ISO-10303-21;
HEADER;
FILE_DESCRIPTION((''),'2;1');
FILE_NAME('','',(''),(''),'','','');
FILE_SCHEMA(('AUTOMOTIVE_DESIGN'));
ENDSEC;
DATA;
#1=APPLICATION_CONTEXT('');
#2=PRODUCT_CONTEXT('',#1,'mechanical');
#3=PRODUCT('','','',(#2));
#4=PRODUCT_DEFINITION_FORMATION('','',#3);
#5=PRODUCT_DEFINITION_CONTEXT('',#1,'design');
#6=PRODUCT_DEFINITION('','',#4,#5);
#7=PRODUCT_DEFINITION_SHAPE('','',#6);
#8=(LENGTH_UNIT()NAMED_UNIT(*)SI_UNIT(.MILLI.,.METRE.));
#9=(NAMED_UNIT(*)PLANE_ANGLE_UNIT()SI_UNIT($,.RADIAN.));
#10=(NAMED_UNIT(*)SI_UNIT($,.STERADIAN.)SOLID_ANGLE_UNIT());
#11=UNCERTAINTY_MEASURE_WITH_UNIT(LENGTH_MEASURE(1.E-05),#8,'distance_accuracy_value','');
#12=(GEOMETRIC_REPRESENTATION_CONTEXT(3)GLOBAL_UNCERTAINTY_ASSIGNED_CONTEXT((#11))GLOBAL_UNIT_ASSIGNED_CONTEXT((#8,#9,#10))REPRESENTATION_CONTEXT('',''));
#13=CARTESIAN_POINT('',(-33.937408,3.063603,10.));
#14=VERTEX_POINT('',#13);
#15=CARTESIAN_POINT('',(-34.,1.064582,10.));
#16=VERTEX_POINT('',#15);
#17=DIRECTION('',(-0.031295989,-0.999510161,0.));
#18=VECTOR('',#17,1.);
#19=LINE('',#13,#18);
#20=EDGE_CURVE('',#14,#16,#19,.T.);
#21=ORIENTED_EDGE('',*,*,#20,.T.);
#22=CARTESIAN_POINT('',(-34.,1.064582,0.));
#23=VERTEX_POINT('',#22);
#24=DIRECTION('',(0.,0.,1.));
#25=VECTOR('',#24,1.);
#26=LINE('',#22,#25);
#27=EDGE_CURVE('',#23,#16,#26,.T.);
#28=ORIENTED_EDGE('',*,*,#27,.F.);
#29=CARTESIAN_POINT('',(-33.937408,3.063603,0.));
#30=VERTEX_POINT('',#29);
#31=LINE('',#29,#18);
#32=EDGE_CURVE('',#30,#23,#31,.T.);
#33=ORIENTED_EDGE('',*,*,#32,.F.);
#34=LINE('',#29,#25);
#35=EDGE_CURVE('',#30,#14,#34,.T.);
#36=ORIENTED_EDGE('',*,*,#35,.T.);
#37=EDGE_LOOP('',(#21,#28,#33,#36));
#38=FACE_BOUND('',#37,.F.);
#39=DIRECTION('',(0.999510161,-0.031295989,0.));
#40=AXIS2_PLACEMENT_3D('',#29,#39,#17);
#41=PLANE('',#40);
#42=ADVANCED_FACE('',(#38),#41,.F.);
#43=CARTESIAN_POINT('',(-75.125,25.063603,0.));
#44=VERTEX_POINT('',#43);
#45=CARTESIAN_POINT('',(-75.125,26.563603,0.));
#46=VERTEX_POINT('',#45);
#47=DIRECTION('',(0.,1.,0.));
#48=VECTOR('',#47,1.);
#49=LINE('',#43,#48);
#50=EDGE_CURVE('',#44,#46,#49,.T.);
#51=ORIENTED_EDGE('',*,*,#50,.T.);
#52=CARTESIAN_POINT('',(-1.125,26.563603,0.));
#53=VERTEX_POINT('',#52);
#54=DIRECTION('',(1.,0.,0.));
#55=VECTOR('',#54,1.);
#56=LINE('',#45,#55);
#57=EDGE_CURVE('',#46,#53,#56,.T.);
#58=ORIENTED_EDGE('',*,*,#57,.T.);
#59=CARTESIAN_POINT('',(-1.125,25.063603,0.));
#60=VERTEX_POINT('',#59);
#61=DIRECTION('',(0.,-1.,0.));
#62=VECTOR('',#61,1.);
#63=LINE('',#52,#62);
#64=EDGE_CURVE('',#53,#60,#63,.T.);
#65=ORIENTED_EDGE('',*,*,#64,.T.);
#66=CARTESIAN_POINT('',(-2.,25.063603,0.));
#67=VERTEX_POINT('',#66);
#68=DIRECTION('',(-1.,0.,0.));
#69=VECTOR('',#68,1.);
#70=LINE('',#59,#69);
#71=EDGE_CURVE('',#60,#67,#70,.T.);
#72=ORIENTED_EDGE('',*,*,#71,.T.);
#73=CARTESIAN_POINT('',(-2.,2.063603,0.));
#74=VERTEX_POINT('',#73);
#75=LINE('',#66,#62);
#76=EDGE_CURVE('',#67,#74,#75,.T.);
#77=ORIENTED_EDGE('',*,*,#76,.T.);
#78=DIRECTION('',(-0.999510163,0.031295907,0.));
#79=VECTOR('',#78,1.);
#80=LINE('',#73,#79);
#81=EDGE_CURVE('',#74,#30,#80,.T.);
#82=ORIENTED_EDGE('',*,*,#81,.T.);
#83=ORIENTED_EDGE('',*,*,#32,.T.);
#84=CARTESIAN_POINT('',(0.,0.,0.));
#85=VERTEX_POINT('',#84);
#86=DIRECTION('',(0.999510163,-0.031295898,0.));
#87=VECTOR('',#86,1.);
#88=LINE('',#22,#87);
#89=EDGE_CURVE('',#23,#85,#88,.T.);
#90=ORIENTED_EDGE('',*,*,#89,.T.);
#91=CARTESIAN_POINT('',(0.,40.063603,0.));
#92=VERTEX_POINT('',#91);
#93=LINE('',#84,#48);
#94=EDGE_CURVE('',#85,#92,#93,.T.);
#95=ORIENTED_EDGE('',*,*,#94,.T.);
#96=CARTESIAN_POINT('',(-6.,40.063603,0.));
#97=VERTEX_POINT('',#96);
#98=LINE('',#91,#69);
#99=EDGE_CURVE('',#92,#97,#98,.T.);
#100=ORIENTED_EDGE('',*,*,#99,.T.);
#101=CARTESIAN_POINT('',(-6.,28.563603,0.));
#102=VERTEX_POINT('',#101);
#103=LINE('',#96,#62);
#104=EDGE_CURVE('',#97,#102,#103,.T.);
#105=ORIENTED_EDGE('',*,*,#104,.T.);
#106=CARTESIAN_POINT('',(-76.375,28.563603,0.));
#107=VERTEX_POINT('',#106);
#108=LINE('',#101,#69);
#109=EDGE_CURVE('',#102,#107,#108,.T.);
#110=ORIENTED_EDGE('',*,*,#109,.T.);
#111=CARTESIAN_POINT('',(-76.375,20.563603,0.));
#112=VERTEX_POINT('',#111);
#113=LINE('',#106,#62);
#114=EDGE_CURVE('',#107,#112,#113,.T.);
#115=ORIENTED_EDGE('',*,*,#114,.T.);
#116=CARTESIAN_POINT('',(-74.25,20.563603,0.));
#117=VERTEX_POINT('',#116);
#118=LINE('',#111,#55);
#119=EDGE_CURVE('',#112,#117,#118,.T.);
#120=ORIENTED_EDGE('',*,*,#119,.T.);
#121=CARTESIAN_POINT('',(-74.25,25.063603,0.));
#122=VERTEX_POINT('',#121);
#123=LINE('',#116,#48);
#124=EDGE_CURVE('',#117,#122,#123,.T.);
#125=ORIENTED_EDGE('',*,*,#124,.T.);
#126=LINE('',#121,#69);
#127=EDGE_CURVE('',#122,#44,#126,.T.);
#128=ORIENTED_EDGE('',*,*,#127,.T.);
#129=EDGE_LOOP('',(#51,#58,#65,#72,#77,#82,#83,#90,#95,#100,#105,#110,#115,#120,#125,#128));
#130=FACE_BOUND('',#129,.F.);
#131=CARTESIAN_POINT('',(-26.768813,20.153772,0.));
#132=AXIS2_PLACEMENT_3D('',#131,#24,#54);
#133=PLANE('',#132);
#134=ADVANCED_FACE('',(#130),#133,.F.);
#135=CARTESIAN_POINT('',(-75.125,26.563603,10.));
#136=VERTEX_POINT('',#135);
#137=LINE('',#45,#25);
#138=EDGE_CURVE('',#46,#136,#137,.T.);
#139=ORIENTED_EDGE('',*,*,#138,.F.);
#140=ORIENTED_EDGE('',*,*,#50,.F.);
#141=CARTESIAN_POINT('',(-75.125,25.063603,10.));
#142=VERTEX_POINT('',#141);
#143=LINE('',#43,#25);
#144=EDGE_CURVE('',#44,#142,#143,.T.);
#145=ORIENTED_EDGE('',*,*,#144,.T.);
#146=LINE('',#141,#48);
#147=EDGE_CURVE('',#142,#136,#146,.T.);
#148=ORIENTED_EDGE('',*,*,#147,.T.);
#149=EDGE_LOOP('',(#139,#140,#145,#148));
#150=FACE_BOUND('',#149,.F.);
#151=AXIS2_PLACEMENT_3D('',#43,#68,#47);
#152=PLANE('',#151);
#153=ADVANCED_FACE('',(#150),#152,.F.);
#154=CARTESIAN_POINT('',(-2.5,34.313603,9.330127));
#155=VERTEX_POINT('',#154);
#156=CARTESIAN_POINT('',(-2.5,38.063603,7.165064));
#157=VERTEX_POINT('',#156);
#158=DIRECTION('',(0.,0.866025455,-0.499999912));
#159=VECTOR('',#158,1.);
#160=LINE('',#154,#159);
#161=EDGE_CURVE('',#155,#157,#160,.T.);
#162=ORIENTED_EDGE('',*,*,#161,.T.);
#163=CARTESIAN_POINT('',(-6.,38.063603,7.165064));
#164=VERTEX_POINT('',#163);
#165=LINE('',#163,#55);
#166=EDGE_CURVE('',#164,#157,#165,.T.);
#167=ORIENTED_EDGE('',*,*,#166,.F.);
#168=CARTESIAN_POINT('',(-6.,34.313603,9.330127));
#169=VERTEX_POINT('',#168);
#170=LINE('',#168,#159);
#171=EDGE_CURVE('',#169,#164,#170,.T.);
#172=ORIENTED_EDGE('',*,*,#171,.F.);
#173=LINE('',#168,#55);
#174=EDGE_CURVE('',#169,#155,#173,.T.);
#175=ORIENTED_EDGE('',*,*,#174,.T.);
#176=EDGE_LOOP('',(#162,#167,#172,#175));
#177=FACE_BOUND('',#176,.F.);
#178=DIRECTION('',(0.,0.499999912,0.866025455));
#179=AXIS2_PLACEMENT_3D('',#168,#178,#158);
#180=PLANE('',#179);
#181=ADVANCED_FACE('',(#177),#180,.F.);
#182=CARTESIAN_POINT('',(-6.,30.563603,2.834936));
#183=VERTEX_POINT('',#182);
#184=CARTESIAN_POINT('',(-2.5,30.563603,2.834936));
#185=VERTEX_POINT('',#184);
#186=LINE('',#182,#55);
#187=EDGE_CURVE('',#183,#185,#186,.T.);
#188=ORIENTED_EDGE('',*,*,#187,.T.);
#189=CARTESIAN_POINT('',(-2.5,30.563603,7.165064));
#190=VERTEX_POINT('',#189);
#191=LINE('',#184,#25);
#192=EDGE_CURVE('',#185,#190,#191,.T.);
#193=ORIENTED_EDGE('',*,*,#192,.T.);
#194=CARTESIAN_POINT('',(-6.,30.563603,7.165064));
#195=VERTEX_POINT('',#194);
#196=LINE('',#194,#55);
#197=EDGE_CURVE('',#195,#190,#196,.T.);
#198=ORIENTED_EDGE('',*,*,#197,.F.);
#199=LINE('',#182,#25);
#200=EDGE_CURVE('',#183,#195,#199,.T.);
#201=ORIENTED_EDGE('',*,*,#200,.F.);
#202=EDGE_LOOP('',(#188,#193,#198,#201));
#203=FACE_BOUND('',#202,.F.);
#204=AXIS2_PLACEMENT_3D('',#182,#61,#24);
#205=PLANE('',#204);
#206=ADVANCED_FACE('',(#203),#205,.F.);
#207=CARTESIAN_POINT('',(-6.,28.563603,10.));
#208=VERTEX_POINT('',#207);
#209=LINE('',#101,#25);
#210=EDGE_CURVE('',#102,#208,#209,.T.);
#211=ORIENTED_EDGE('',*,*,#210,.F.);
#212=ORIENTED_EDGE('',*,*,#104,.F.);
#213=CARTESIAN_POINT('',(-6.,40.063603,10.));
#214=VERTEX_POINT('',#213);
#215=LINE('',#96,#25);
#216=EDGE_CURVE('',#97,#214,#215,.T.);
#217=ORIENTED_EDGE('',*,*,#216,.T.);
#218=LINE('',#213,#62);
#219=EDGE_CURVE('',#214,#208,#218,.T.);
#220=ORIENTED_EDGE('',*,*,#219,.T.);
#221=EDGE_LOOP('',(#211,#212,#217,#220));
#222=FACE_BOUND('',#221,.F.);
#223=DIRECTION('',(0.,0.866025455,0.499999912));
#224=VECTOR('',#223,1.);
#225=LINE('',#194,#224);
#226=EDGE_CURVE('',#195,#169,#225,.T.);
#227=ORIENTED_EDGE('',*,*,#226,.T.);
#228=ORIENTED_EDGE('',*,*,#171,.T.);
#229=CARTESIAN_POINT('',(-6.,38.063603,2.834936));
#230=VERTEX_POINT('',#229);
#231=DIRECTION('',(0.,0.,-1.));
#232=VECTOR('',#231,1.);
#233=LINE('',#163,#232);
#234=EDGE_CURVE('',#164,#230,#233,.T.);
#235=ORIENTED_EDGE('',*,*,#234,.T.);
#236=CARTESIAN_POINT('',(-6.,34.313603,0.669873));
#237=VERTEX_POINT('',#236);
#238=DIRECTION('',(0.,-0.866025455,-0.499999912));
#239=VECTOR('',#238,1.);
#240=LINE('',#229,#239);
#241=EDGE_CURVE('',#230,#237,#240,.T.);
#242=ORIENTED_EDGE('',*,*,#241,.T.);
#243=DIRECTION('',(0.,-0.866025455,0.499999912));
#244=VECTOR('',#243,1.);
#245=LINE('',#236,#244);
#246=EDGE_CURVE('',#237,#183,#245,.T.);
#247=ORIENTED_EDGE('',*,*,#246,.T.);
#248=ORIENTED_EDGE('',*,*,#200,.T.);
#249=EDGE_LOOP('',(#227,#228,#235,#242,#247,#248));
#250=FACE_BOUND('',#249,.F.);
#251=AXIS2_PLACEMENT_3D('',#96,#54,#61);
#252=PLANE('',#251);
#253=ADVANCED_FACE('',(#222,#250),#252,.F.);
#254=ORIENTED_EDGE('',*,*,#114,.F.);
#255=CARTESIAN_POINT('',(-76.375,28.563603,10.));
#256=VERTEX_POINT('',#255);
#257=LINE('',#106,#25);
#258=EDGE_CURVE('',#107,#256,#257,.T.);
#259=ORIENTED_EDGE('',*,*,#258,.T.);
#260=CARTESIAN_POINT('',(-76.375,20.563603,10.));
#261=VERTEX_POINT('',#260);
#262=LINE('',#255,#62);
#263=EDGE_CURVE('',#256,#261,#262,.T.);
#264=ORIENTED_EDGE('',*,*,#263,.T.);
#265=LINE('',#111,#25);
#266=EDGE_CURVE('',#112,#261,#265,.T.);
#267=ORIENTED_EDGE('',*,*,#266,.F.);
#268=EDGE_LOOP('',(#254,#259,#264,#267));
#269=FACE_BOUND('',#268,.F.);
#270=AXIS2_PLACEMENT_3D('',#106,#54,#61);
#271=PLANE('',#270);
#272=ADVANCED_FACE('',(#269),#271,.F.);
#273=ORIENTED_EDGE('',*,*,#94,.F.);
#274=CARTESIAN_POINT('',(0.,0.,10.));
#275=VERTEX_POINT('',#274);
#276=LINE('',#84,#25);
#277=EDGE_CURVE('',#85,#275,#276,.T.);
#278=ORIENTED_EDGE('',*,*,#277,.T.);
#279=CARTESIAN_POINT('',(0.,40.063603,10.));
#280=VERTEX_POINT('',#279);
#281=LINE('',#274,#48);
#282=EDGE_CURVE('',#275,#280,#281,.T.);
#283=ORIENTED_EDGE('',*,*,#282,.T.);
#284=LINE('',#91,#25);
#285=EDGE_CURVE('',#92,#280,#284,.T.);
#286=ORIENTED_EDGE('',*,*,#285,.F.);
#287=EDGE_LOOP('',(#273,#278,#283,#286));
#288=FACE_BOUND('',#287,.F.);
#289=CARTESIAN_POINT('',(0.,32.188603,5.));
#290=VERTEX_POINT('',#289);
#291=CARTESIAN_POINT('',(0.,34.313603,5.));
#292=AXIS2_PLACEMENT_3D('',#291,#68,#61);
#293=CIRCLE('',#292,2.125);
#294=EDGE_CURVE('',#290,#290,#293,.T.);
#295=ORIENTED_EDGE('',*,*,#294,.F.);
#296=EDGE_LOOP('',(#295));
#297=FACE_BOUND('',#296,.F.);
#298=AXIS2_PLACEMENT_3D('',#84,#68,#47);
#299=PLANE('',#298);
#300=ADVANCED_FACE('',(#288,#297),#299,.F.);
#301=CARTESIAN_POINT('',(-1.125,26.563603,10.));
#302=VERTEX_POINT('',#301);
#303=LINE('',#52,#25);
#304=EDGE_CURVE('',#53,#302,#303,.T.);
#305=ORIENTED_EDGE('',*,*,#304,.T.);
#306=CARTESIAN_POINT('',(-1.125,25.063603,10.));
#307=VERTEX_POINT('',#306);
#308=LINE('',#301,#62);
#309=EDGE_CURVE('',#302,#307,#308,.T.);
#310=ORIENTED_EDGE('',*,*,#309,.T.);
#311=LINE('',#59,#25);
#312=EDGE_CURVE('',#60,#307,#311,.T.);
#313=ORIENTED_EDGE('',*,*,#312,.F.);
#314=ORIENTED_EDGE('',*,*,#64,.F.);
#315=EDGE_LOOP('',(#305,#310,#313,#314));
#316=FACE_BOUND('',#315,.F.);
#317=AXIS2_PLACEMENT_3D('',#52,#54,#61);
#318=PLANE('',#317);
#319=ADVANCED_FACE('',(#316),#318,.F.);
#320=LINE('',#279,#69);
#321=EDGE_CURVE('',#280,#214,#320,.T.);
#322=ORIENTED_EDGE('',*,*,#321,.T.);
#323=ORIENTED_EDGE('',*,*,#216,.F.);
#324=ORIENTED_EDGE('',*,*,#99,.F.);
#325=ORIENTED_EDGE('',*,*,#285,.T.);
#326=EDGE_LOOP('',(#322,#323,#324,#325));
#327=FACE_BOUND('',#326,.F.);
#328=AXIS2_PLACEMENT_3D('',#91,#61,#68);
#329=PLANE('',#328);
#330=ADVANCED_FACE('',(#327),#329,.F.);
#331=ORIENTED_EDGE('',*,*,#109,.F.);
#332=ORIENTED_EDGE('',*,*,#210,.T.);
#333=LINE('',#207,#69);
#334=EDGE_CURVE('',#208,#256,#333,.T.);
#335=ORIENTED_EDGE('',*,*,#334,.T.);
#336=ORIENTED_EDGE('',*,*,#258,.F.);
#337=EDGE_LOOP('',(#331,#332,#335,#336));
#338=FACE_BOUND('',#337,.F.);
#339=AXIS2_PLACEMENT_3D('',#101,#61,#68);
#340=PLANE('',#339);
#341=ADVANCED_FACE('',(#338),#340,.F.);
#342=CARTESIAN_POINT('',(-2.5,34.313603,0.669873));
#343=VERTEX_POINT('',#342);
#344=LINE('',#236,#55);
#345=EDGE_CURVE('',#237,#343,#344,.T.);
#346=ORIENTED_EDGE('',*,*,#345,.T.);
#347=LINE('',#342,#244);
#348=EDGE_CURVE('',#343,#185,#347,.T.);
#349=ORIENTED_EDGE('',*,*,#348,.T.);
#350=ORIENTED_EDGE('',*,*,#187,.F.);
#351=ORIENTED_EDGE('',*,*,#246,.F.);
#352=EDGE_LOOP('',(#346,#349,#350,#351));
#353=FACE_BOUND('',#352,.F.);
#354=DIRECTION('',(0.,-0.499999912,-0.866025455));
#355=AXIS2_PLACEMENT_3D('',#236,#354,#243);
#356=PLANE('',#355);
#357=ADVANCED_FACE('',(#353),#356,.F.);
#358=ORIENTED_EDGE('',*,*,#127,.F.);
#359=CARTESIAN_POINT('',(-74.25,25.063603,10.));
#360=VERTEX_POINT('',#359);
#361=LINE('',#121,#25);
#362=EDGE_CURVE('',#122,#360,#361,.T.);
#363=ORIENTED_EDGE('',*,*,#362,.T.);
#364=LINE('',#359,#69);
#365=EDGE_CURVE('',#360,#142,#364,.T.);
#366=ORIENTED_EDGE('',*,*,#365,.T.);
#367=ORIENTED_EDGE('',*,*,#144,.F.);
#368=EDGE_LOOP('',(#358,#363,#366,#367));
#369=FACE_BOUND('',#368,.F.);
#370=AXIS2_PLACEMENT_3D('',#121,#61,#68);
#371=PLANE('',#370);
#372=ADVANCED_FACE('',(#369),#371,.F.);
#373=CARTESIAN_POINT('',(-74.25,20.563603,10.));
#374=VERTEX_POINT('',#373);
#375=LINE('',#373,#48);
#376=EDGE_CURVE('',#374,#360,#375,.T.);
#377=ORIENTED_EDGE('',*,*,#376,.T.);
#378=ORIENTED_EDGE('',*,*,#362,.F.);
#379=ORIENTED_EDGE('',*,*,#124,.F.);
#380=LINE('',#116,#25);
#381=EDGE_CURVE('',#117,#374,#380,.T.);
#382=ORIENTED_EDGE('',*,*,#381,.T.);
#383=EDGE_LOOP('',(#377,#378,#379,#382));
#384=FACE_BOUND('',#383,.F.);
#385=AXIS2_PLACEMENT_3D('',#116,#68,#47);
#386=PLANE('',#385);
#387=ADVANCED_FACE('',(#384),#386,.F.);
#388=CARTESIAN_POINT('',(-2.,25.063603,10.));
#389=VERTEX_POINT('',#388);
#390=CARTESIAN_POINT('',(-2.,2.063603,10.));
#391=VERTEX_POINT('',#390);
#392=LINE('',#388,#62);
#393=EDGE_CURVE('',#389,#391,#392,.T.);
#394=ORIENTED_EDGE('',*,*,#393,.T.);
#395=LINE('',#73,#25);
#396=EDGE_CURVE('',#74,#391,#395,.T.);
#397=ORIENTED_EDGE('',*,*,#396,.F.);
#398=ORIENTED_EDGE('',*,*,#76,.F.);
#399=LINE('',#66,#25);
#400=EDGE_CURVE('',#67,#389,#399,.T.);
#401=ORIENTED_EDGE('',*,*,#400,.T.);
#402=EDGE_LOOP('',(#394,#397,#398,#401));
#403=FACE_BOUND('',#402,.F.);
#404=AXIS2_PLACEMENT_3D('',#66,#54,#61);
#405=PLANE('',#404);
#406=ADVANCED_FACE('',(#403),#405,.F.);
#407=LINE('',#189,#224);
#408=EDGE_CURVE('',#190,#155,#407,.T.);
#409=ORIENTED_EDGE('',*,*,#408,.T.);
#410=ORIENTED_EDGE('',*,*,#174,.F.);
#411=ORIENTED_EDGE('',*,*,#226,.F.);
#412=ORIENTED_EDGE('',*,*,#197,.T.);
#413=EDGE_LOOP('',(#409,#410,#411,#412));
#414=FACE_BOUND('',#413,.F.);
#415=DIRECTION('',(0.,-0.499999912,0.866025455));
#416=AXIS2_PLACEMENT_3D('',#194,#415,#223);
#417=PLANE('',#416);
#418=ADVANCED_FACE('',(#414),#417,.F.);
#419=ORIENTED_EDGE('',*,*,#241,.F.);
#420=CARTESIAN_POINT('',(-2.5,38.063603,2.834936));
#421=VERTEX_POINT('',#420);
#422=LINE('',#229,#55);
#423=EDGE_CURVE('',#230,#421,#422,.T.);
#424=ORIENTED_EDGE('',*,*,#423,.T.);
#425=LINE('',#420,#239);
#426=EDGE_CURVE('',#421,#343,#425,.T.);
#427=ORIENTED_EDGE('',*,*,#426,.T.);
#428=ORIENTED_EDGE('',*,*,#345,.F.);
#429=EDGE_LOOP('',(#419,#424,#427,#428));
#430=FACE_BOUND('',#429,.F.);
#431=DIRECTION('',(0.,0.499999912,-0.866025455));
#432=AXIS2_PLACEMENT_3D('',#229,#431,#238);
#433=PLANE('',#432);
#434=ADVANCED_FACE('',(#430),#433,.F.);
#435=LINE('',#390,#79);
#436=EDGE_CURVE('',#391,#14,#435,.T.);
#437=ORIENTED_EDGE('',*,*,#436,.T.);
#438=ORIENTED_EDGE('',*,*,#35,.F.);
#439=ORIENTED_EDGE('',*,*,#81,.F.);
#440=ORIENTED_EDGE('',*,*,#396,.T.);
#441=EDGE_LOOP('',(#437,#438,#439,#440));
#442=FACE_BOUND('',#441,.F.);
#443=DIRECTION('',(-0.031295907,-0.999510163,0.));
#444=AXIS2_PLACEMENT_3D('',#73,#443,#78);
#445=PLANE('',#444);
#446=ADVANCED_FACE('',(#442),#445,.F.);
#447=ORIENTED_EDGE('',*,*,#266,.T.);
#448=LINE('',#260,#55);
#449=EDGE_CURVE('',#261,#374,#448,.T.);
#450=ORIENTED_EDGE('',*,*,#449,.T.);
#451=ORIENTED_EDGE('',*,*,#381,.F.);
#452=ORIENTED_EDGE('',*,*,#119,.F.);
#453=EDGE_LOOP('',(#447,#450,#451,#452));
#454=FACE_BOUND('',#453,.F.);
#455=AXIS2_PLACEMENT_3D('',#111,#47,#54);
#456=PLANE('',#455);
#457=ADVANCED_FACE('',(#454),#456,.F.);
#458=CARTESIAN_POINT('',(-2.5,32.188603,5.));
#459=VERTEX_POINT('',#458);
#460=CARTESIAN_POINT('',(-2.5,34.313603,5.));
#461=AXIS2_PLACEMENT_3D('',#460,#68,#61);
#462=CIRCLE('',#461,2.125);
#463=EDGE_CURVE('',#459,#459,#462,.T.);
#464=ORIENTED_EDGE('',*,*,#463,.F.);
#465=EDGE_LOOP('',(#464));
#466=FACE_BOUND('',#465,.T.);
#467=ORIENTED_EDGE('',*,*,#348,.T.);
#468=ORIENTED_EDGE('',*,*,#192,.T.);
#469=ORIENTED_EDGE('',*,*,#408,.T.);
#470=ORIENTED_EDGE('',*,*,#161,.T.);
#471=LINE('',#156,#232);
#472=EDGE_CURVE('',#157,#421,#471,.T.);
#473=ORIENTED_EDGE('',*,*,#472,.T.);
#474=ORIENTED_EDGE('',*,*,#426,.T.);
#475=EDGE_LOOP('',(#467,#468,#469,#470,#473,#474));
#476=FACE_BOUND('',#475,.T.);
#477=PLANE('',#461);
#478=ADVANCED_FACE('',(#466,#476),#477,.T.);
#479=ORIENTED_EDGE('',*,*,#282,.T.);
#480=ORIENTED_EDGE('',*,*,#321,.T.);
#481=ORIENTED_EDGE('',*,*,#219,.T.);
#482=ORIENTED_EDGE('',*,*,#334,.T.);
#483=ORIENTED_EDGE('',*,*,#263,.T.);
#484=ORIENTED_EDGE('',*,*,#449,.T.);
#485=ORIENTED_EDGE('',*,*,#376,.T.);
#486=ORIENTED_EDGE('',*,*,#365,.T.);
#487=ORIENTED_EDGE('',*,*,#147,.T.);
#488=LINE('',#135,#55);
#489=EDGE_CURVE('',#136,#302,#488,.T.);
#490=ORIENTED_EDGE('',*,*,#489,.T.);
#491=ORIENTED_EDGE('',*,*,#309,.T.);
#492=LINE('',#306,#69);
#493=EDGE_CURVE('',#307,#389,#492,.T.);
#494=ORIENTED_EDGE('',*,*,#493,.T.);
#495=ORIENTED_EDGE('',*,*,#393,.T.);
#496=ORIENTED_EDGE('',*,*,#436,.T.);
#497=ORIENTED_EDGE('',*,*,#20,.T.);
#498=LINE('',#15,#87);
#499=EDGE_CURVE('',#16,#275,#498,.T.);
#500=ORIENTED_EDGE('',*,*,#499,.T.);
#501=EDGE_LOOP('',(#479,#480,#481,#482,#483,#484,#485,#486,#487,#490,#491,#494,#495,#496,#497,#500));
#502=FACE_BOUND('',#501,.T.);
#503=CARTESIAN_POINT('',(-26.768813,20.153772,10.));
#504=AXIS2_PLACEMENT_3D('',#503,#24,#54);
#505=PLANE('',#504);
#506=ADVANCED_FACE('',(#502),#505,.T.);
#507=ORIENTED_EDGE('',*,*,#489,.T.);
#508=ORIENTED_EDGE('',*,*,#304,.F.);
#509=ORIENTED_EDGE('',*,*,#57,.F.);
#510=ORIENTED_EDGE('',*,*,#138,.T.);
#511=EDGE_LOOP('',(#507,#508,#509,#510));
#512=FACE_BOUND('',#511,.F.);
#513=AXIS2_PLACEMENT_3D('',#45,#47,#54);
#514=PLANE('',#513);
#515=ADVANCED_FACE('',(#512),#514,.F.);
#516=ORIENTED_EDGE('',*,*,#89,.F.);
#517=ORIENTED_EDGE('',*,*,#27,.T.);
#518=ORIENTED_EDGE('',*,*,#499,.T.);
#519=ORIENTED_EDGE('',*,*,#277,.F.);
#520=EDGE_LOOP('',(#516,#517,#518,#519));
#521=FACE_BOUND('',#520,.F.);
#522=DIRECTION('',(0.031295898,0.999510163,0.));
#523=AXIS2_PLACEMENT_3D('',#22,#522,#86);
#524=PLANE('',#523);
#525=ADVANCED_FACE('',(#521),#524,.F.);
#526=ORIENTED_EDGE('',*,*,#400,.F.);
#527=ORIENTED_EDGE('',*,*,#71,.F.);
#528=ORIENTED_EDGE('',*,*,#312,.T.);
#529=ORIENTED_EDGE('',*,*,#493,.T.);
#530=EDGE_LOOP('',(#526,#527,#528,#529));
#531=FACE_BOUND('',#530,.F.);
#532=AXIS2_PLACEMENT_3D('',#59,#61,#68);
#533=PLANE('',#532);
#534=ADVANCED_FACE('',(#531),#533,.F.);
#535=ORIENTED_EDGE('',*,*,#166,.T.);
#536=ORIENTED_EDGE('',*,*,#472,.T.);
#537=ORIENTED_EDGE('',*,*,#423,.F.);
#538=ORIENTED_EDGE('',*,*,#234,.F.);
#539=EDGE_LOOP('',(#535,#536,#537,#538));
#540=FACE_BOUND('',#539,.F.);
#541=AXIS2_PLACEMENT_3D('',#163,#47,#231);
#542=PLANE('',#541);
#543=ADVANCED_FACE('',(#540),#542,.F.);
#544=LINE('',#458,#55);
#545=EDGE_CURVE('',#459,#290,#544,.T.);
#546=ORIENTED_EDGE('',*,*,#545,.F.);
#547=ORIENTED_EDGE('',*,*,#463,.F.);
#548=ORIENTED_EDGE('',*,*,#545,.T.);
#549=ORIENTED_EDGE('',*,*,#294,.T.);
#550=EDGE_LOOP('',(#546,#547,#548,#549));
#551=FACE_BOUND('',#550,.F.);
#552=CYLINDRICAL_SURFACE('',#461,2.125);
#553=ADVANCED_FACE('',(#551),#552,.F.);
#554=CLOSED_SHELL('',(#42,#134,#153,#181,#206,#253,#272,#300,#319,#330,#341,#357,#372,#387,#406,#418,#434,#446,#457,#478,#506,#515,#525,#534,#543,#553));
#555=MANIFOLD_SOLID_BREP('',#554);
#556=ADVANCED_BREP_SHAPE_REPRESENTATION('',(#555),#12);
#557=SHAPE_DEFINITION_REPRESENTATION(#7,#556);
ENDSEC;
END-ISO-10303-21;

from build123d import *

# Parameters (mm, degrees)
F1_DEPTH = 10
F3_DEPTH = 3.5
F4_R     = 2.125
F5_DEPTH = 2.5


with BuildPart() as f1:
    # F0 (on Top) → F1 (new body)
    with BuildSketch(Plane.XY):
        Polygon((-75.125, 26.563603), (-1.125, 26.563603), (-1.125, 25.063603), (-2, 25.063603), (-2, 2.063603), (-33.937408, 3.063603), (-34, 1.064582), (0, 0), (0, 40.063603), (-6, 40.063603), (-6, 28.563603), (-76.375, 28.563603), (-76.375, 20.563603), (-74.25, 20.563603), (-74.25, 25.063603), (-75.125, 25.063603), align=None)
    extrude(amount=F1_DEPTH)

    # F2 (on face) → F3 (cut)
    with BuildSketch(Plane(origin=(-6, 0, 0), x_dir=(0, -1, 0), z_dir=(-1, 0, 0))):
        Polygon((-30.563603, 2.834936), (-30.563603, 7.165064), (-34.313603, 9.330127), (-38.063603, 7.165064), (-38.063603, 2.834936), (-34.313603, 0.669873), align=None)
    extrude(amount=-F3_DEPTH, mode=Mode.SUBTRACT)

    # F4 (on face) → F5 (cut, through all)
    with BuildSketch(Plane(origin=(-2.5, 0, 0), x_dir=(0, -1, 0), z_dir=(-1, 0, 0))):
        with Locations((-34.313603, 5)):
            Circle(F4_R)
    extrude(amount=-F5_DEPTH, mode=Mode.SUBTRACT)


solid = f1.part
